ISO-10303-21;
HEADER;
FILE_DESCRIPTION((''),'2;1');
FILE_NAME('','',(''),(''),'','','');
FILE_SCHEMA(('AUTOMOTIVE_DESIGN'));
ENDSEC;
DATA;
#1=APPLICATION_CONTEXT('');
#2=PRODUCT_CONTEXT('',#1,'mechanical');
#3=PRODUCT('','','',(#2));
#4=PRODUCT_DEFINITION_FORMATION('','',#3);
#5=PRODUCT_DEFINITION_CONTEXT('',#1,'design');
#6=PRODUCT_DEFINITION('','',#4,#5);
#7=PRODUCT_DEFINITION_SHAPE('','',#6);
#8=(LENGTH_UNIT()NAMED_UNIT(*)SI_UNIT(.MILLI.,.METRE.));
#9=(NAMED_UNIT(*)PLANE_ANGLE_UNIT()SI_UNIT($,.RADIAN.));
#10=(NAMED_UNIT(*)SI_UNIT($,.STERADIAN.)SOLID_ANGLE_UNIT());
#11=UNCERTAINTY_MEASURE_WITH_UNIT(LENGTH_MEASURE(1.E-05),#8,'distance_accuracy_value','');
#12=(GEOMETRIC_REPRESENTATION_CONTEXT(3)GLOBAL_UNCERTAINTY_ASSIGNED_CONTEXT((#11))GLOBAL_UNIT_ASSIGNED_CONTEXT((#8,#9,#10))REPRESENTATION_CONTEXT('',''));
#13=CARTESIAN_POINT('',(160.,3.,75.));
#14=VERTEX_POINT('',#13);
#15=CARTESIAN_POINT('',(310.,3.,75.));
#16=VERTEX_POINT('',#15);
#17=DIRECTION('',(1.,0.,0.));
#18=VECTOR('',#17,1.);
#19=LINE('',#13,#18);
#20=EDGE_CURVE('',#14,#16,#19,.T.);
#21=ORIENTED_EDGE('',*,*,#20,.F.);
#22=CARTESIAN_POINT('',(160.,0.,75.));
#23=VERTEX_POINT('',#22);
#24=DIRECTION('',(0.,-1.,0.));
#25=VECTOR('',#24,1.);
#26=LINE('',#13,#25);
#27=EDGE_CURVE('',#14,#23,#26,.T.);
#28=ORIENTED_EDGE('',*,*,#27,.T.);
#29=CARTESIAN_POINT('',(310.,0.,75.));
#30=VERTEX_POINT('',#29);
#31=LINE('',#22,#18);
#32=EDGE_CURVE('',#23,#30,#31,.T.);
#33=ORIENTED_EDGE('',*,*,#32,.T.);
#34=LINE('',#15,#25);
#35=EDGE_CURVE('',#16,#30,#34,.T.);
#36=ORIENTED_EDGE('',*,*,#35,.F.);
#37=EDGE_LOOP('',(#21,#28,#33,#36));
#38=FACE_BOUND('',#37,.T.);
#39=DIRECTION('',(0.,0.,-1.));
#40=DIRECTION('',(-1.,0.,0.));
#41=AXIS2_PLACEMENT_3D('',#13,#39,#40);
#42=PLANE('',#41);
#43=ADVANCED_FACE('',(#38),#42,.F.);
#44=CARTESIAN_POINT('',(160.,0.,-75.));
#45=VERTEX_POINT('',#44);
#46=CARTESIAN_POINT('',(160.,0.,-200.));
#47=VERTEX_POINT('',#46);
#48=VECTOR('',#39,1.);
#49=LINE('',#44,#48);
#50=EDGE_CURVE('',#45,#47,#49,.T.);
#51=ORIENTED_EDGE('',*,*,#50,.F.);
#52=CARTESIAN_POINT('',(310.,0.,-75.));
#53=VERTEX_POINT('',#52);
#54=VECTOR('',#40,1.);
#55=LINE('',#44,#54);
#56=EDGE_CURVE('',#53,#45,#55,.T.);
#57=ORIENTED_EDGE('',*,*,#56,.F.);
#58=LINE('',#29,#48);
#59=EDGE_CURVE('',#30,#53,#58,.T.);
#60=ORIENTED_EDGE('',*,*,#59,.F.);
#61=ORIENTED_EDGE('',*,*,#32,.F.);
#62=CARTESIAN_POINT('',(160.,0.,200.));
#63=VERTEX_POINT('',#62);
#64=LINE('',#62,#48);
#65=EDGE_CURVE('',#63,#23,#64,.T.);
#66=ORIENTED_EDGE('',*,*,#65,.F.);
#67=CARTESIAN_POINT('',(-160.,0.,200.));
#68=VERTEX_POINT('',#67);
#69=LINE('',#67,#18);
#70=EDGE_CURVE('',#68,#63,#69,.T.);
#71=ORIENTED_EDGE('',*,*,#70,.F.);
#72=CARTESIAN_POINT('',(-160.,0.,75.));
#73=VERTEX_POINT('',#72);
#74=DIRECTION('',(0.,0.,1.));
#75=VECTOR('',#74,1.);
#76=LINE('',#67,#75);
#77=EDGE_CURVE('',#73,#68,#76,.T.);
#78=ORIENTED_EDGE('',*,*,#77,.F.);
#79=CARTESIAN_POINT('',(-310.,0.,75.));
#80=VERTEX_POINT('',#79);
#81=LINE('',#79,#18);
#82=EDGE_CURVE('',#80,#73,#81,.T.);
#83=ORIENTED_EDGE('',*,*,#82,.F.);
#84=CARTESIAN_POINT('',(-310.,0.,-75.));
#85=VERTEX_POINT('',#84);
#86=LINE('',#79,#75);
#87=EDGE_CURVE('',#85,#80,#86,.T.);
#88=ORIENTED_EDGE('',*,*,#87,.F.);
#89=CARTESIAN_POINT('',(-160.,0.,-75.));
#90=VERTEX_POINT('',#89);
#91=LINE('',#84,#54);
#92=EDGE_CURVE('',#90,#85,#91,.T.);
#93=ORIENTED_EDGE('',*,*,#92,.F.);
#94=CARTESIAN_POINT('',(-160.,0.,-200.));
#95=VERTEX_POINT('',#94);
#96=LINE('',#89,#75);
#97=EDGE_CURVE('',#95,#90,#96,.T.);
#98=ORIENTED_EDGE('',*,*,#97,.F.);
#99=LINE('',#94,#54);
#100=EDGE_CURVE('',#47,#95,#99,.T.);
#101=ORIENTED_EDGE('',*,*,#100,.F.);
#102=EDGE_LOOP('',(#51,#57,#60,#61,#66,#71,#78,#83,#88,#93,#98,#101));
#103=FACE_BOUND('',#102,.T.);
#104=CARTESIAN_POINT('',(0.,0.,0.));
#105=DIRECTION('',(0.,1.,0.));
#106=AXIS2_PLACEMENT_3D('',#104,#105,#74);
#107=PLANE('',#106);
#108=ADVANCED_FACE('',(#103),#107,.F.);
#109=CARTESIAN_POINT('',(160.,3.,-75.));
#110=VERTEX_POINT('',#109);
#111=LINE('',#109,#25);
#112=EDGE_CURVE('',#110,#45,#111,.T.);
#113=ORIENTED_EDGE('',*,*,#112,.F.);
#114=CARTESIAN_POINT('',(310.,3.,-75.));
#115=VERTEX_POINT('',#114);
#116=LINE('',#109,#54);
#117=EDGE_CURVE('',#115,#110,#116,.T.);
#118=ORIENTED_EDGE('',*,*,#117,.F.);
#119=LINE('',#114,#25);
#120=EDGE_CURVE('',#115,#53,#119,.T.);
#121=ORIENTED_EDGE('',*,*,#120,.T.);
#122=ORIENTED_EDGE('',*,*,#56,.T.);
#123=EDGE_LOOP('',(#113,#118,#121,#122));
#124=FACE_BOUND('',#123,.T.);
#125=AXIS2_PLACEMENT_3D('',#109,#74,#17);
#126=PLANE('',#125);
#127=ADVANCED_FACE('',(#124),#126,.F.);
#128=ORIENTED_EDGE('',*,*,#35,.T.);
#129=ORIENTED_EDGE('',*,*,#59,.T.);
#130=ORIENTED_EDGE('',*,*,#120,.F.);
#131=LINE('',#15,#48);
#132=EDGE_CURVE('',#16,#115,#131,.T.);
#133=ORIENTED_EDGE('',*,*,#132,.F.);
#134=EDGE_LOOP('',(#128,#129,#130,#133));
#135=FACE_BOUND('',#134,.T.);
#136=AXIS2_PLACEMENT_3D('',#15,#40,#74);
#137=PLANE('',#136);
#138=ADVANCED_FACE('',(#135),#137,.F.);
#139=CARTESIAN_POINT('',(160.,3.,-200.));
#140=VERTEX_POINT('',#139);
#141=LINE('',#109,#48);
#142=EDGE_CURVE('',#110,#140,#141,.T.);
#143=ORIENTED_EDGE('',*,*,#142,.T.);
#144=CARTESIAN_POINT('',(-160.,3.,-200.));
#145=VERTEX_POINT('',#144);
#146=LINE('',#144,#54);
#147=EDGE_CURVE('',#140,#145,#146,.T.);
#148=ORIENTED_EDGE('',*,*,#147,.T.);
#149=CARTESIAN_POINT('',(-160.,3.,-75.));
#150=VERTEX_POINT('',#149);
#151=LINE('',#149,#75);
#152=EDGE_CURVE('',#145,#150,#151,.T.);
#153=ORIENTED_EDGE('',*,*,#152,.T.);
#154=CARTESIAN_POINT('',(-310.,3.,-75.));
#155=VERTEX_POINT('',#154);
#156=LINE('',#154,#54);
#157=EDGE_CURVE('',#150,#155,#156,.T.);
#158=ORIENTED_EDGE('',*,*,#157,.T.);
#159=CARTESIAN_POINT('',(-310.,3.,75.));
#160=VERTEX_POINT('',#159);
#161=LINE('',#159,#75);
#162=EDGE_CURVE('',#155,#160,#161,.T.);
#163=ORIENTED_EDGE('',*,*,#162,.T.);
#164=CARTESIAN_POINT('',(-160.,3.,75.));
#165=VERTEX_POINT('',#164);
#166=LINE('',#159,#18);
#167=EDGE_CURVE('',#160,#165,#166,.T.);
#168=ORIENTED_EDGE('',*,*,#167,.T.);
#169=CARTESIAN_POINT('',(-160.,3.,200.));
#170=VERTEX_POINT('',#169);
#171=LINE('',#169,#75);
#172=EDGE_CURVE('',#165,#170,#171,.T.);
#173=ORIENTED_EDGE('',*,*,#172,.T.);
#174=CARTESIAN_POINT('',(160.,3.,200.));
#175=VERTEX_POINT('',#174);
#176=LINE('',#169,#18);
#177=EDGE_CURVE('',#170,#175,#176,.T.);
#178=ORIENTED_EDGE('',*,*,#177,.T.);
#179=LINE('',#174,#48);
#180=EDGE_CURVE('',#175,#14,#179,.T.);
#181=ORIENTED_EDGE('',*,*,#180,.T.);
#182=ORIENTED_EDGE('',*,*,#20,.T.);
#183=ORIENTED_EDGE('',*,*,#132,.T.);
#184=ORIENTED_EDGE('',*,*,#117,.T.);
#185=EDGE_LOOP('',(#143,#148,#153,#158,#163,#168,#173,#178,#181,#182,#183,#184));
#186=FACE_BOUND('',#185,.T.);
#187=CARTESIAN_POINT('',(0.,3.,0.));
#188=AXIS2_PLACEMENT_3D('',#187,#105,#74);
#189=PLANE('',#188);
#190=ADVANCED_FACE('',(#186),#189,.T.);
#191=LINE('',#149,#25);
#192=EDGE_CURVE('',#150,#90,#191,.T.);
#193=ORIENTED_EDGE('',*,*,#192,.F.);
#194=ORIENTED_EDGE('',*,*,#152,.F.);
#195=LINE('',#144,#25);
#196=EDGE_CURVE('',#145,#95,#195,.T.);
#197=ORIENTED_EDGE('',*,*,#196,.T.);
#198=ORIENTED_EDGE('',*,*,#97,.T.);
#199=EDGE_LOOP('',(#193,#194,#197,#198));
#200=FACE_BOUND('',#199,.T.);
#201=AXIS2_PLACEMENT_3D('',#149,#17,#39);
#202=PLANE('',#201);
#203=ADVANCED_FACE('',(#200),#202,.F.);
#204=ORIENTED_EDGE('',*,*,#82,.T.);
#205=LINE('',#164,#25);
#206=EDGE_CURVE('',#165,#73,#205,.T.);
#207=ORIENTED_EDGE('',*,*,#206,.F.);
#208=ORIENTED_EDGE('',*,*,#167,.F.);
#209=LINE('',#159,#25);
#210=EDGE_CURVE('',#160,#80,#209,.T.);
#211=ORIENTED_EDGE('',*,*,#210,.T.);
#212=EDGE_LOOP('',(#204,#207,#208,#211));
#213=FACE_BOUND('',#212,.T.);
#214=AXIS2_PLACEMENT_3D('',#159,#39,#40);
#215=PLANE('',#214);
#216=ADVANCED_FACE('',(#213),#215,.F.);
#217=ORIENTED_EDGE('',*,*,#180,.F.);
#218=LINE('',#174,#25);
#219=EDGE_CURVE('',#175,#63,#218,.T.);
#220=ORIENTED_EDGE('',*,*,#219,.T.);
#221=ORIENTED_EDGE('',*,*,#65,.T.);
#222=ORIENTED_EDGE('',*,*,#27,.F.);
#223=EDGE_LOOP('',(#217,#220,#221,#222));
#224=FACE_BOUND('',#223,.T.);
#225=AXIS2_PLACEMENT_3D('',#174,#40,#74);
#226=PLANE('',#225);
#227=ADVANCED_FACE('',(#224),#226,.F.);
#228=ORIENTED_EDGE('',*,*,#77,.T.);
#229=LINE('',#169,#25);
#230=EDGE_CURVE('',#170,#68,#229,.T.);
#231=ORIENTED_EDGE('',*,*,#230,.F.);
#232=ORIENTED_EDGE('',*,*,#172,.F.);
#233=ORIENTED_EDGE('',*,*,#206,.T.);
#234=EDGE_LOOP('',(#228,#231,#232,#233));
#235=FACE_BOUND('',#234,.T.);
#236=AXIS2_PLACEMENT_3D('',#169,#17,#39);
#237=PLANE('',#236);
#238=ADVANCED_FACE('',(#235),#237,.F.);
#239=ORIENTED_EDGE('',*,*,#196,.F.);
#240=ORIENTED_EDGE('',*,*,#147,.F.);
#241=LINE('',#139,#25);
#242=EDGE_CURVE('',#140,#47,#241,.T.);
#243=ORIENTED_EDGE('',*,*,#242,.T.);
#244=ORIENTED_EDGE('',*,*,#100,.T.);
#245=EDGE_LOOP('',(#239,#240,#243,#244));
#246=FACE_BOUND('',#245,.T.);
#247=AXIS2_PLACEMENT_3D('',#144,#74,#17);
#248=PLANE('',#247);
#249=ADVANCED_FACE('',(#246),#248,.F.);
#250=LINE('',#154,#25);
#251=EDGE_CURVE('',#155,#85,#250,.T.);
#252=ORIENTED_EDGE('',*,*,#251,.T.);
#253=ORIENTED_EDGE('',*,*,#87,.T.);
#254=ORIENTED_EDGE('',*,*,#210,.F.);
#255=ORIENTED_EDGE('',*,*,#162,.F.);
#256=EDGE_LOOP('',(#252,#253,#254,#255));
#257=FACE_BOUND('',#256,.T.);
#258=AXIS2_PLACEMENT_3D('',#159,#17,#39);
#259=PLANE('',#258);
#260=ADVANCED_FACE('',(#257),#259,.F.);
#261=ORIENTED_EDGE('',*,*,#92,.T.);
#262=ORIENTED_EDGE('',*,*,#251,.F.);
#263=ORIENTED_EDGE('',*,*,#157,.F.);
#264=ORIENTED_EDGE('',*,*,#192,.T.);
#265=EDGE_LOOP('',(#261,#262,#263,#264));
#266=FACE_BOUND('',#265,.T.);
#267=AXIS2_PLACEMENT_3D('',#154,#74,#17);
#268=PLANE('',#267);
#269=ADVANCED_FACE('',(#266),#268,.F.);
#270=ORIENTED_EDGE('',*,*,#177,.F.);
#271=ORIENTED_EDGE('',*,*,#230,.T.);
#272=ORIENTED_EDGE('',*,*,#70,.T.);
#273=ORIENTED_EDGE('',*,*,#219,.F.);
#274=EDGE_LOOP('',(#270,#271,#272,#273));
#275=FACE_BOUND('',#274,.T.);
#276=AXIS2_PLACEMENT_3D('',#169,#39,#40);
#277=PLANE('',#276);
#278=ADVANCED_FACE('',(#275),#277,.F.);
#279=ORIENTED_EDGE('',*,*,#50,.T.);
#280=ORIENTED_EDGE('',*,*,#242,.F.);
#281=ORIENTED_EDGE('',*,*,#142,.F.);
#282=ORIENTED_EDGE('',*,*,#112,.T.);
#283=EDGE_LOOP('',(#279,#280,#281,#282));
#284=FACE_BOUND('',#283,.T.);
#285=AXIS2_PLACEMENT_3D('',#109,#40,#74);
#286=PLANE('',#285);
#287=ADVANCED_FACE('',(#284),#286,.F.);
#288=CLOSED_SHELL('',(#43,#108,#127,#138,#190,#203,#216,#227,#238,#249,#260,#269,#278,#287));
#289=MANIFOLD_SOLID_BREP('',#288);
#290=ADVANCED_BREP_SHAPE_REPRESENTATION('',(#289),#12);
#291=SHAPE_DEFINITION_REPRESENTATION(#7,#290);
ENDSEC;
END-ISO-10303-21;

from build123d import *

# Parameters (mm, degrees)
EXTRUDE_1_DEPTH = 3


with BuildPart() as part:
    # 草图1 → 凸台-拉伸1 (new body)
    with BuildSketch(Plane(origin=(0, 0, 0), x_dir=(1, 0, 0), z_dir=(0, 1, 0))):
        Polygon((-310, -75), (-160, -75), (-160, -200), (160, -200), (160, -75), (310, -75), (310, 75), (160, 75), (160, 200), (-160, 200), (-160, 75), (-310, 75), align=None)
    extrude(amount=EXTRUDE_1_DEPTH)


solid = part.part
